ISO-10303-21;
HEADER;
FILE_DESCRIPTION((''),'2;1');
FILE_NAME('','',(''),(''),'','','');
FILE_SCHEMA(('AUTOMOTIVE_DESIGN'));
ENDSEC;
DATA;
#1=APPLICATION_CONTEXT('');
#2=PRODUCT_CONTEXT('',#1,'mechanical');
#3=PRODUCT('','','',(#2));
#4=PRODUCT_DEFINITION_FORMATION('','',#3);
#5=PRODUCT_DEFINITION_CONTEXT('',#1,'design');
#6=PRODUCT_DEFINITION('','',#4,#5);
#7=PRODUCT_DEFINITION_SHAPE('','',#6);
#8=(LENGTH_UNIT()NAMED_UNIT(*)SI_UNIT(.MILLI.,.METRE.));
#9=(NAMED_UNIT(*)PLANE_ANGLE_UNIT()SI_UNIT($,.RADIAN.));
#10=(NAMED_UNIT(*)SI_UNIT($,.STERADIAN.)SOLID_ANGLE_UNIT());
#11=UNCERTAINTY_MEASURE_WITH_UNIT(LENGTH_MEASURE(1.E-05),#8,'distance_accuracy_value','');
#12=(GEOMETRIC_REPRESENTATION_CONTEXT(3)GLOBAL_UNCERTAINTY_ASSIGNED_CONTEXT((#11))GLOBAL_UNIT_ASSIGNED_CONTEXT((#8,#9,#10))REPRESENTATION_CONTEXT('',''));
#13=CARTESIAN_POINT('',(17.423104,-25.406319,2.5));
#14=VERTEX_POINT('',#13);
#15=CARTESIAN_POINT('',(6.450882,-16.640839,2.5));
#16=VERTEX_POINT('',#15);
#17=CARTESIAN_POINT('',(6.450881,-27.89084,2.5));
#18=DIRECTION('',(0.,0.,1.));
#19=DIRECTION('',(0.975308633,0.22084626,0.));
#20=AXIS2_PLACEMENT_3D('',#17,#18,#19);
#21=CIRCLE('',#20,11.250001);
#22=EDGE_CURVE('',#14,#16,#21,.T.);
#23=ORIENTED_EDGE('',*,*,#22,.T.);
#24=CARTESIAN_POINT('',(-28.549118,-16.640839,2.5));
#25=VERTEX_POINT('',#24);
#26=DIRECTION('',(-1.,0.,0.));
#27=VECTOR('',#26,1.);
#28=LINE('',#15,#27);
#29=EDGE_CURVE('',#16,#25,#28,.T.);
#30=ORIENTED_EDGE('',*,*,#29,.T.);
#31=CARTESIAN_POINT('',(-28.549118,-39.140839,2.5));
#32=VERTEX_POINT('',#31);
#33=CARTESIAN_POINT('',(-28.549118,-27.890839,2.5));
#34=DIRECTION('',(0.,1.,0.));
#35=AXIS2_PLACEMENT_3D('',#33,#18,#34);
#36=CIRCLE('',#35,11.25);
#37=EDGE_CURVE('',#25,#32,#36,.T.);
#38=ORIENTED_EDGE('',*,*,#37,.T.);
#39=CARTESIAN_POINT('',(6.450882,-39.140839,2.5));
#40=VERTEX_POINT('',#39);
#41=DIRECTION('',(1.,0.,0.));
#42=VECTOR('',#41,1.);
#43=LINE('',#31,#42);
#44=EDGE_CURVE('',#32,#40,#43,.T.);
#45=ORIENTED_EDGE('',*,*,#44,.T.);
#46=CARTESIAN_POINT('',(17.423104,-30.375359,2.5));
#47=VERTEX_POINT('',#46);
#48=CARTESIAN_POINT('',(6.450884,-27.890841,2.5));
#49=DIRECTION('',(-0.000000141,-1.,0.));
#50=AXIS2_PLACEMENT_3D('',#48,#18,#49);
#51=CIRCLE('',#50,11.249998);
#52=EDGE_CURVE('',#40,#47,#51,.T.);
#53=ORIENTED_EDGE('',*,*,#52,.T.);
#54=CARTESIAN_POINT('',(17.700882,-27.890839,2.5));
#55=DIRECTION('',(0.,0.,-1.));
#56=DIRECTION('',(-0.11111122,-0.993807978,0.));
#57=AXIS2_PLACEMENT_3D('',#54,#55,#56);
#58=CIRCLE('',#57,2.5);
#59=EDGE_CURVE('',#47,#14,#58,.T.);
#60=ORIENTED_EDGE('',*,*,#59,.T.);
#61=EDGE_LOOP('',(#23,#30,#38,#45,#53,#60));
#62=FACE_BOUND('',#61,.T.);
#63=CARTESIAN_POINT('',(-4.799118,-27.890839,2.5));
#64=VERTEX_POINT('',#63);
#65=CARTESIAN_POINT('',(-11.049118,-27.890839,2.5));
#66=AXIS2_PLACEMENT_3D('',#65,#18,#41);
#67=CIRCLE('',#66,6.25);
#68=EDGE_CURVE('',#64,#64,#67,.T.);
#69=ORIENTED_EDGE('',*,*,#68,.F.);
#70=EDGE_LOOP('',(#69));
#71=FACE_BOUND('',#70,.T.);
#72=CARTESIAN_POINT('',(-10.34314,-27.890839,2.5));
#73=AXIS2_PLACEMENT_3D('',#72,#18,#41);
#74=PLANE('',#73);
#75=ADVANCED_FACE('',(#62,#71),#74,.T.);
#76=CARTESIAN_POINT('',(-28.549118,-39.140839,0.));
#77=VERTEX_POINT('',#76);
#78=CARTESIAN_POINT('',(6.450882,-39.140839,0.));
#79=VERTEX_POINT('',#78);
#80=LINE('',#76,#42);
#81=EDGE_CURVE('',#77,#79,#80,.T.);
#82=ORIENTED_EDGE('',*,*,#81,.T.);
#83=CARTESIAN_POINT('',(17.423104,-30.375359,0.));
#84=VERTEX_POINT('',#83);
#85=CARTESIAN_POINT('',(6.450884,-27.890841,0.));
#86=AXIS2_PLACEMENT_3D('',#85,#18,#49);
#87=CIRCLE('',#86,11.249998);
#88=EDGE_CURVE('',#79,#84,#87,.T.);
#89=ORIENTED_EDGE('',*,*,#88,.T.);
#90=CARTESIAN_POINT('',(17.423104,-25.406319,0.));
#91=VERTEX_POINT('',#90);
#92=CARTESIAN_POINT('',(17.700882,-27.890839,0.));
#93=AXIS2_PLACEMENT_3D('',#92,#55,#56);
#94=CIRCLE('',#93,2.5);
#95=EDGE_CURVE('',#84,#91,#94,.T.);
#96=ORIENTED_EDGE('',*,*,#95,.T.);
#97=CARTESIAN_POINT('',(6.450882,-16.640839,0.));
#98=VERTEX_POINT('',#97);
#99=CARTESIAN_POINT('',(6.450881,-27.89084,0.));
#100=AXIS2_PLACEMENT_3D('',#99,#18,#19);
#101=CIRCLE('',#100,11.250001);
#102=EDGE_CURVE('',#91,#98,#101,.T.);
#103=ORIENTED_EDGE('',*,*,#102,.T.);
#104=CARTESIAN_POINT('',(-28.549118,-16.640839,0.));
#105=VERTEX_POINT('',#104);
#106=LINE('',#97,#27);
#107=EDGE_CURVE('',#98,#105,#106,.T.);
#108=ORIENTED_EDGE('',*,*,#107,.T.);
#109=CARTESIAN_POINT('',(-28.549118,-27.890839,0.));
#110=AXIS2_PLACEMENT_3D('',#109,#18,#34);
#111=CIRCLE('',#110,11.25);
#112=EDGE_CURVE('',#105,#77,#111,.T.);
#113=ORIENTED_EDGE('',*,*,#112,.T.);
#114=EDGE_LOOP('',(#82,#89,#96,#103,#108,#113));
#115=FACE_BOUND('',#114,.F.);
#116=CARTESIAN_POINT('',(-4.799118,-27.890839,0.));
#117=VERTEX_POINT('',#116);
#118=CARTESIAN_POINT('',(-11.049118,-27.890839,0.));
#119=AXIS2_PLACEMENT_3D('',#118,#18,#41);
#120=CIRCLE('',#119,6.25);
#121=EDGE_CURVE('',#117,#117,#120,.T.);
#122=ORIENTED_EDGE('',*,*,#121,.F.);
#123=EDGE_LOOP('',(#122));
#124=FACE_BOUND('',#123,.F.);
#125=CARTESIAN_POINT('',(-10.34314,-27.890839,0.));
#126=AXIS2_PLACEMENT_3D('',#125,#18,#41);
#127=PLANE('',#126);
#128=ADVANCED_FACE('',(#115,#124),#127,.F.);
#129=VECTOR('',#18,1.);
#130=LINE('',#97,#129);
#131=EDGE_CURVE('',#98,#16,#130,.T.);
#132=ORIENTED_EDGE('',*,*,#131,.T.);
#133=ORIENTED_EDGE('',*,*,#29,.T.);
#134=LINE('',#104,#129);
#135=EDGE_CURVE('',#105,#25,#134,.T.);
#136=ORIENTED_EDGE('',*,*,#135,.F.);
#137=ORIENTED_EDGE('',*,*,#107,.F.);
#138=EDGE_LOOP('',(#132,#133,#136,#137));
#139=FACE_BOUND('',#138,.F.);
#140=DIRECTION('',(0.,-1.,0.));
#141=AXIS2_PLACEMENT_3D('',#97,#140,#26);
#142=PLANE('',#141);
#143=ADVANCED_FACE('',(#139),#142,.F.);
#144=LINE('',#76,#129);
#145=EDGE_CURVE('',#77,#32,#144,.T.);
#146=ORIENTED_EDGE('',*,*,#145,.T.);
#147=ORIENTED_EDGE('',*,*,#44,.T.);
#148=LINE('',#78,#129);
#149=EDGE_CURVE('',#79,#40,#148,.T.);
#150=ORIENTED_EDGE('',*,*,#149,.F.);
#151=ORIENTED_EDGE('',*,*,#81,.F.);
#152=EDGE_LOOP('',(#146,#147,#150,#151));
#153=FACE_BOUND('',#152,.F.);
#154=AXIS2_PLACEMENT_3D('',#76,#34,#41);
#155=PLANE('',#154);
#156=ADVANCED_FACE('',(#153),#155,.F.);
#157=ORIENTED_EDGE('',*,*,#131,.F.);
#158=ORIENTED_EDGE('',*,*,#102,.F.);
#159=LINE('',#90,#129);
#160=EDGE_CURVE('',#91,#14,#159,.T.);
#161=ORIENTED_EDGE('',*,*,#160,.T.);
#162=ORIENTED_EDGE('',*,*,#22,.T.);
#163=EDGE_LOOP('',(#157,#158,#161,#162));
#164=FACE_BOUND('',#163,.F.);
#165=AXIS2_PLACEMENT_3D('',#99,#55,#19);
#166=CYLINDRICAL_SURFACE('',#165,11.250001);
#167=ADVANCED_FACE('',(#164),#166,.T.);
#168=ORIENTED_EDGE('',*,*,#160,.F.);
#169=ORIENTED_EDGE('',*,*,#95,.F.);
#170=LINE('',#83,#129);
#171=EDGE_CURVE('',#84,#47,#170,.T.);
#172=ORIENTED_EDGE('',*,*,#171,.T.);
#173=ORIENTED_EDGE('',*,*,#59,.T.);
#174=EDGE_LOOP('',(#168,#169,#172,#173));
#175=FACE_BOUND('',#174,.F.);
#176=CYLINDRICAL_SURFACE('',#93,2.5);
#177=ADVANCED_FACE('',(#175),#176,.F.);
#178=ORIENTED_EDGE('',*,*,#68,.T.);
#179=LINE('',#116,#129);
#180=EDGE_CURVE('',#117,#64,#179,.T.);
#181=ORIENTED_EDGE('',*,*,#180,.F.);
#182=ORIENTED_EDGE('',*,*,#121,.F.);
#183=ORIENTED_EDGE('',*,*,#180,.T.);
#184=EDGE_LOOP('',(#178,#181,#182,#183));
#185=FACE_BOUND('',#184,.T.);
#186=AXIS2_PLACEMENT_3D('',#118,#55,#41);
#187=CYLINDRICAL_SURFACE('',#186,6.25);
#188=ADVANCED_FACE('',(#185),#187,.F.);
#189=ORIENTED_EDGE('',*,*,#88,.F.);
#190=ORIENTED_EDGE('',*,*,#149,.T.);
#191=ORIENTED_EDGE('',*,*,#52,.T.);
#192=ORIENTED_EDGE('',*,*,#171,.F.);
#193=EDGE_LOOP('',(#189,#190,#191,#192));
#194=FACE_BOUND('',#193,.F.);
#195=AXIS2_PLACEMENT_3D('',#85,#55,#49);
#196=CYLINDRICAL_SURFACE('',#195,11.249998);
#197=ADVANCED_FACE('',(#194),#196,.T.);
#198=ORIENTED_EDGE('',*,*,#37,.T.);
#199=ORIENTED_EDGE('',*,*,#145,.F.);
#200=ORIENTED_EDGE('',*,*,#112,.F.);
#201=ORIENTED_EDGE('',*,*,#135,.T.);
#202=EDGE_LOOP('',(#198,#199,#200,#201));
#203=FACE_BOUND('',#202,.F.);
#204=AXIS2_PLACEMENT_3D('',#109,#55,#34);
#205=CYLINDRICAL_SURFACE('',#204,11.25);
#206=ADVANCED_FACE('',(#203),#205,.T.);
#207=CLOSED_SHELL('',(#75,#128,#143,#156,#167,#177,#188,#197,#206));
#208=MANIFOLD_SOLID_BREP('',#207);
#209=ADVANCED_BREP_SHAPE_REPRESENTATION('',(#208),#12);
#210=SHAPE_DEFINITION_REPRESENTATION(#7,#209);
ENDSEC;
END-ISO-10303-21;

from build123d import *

# Parameters (mm, degrees)
F0_R     = 6.25
F1_DEPTH = 2.5


with BuildPart() as f1:
    # F0 (on Top) → F1 (new body)
    with BuildSketch(Plane.XY):
        with BuildLine():
            ThreePointArc((-28.549118, -16.640839), (-39.799118, -27.890839), (-28.549118, -39.140839))
            Line((-28.549118, -39.140839), (6.450882, -39.140839))
            ThreePointArc((6.450882, -39.140839), (13.472693, -36.680417), (17.423104, -30.375359))
            ThreePointArc((17.423104, -30.375359), (15.200882, -27.890839), (17.423104, -25.406319))
            ThreePointArc((17.423104, -25.406319), (13.472693, -19.101262), (6.450882, -16.640839))
            Line((6.450882, -16.640839), (-28.549118, -16.640839))
        make_face()
        with Locations((-11.049118, -27.890839)):
            Circle(F0_R, mode=Mode.SUBTRACT)
    extrude(amount=F1_DEPTH)


solid = f1.part
